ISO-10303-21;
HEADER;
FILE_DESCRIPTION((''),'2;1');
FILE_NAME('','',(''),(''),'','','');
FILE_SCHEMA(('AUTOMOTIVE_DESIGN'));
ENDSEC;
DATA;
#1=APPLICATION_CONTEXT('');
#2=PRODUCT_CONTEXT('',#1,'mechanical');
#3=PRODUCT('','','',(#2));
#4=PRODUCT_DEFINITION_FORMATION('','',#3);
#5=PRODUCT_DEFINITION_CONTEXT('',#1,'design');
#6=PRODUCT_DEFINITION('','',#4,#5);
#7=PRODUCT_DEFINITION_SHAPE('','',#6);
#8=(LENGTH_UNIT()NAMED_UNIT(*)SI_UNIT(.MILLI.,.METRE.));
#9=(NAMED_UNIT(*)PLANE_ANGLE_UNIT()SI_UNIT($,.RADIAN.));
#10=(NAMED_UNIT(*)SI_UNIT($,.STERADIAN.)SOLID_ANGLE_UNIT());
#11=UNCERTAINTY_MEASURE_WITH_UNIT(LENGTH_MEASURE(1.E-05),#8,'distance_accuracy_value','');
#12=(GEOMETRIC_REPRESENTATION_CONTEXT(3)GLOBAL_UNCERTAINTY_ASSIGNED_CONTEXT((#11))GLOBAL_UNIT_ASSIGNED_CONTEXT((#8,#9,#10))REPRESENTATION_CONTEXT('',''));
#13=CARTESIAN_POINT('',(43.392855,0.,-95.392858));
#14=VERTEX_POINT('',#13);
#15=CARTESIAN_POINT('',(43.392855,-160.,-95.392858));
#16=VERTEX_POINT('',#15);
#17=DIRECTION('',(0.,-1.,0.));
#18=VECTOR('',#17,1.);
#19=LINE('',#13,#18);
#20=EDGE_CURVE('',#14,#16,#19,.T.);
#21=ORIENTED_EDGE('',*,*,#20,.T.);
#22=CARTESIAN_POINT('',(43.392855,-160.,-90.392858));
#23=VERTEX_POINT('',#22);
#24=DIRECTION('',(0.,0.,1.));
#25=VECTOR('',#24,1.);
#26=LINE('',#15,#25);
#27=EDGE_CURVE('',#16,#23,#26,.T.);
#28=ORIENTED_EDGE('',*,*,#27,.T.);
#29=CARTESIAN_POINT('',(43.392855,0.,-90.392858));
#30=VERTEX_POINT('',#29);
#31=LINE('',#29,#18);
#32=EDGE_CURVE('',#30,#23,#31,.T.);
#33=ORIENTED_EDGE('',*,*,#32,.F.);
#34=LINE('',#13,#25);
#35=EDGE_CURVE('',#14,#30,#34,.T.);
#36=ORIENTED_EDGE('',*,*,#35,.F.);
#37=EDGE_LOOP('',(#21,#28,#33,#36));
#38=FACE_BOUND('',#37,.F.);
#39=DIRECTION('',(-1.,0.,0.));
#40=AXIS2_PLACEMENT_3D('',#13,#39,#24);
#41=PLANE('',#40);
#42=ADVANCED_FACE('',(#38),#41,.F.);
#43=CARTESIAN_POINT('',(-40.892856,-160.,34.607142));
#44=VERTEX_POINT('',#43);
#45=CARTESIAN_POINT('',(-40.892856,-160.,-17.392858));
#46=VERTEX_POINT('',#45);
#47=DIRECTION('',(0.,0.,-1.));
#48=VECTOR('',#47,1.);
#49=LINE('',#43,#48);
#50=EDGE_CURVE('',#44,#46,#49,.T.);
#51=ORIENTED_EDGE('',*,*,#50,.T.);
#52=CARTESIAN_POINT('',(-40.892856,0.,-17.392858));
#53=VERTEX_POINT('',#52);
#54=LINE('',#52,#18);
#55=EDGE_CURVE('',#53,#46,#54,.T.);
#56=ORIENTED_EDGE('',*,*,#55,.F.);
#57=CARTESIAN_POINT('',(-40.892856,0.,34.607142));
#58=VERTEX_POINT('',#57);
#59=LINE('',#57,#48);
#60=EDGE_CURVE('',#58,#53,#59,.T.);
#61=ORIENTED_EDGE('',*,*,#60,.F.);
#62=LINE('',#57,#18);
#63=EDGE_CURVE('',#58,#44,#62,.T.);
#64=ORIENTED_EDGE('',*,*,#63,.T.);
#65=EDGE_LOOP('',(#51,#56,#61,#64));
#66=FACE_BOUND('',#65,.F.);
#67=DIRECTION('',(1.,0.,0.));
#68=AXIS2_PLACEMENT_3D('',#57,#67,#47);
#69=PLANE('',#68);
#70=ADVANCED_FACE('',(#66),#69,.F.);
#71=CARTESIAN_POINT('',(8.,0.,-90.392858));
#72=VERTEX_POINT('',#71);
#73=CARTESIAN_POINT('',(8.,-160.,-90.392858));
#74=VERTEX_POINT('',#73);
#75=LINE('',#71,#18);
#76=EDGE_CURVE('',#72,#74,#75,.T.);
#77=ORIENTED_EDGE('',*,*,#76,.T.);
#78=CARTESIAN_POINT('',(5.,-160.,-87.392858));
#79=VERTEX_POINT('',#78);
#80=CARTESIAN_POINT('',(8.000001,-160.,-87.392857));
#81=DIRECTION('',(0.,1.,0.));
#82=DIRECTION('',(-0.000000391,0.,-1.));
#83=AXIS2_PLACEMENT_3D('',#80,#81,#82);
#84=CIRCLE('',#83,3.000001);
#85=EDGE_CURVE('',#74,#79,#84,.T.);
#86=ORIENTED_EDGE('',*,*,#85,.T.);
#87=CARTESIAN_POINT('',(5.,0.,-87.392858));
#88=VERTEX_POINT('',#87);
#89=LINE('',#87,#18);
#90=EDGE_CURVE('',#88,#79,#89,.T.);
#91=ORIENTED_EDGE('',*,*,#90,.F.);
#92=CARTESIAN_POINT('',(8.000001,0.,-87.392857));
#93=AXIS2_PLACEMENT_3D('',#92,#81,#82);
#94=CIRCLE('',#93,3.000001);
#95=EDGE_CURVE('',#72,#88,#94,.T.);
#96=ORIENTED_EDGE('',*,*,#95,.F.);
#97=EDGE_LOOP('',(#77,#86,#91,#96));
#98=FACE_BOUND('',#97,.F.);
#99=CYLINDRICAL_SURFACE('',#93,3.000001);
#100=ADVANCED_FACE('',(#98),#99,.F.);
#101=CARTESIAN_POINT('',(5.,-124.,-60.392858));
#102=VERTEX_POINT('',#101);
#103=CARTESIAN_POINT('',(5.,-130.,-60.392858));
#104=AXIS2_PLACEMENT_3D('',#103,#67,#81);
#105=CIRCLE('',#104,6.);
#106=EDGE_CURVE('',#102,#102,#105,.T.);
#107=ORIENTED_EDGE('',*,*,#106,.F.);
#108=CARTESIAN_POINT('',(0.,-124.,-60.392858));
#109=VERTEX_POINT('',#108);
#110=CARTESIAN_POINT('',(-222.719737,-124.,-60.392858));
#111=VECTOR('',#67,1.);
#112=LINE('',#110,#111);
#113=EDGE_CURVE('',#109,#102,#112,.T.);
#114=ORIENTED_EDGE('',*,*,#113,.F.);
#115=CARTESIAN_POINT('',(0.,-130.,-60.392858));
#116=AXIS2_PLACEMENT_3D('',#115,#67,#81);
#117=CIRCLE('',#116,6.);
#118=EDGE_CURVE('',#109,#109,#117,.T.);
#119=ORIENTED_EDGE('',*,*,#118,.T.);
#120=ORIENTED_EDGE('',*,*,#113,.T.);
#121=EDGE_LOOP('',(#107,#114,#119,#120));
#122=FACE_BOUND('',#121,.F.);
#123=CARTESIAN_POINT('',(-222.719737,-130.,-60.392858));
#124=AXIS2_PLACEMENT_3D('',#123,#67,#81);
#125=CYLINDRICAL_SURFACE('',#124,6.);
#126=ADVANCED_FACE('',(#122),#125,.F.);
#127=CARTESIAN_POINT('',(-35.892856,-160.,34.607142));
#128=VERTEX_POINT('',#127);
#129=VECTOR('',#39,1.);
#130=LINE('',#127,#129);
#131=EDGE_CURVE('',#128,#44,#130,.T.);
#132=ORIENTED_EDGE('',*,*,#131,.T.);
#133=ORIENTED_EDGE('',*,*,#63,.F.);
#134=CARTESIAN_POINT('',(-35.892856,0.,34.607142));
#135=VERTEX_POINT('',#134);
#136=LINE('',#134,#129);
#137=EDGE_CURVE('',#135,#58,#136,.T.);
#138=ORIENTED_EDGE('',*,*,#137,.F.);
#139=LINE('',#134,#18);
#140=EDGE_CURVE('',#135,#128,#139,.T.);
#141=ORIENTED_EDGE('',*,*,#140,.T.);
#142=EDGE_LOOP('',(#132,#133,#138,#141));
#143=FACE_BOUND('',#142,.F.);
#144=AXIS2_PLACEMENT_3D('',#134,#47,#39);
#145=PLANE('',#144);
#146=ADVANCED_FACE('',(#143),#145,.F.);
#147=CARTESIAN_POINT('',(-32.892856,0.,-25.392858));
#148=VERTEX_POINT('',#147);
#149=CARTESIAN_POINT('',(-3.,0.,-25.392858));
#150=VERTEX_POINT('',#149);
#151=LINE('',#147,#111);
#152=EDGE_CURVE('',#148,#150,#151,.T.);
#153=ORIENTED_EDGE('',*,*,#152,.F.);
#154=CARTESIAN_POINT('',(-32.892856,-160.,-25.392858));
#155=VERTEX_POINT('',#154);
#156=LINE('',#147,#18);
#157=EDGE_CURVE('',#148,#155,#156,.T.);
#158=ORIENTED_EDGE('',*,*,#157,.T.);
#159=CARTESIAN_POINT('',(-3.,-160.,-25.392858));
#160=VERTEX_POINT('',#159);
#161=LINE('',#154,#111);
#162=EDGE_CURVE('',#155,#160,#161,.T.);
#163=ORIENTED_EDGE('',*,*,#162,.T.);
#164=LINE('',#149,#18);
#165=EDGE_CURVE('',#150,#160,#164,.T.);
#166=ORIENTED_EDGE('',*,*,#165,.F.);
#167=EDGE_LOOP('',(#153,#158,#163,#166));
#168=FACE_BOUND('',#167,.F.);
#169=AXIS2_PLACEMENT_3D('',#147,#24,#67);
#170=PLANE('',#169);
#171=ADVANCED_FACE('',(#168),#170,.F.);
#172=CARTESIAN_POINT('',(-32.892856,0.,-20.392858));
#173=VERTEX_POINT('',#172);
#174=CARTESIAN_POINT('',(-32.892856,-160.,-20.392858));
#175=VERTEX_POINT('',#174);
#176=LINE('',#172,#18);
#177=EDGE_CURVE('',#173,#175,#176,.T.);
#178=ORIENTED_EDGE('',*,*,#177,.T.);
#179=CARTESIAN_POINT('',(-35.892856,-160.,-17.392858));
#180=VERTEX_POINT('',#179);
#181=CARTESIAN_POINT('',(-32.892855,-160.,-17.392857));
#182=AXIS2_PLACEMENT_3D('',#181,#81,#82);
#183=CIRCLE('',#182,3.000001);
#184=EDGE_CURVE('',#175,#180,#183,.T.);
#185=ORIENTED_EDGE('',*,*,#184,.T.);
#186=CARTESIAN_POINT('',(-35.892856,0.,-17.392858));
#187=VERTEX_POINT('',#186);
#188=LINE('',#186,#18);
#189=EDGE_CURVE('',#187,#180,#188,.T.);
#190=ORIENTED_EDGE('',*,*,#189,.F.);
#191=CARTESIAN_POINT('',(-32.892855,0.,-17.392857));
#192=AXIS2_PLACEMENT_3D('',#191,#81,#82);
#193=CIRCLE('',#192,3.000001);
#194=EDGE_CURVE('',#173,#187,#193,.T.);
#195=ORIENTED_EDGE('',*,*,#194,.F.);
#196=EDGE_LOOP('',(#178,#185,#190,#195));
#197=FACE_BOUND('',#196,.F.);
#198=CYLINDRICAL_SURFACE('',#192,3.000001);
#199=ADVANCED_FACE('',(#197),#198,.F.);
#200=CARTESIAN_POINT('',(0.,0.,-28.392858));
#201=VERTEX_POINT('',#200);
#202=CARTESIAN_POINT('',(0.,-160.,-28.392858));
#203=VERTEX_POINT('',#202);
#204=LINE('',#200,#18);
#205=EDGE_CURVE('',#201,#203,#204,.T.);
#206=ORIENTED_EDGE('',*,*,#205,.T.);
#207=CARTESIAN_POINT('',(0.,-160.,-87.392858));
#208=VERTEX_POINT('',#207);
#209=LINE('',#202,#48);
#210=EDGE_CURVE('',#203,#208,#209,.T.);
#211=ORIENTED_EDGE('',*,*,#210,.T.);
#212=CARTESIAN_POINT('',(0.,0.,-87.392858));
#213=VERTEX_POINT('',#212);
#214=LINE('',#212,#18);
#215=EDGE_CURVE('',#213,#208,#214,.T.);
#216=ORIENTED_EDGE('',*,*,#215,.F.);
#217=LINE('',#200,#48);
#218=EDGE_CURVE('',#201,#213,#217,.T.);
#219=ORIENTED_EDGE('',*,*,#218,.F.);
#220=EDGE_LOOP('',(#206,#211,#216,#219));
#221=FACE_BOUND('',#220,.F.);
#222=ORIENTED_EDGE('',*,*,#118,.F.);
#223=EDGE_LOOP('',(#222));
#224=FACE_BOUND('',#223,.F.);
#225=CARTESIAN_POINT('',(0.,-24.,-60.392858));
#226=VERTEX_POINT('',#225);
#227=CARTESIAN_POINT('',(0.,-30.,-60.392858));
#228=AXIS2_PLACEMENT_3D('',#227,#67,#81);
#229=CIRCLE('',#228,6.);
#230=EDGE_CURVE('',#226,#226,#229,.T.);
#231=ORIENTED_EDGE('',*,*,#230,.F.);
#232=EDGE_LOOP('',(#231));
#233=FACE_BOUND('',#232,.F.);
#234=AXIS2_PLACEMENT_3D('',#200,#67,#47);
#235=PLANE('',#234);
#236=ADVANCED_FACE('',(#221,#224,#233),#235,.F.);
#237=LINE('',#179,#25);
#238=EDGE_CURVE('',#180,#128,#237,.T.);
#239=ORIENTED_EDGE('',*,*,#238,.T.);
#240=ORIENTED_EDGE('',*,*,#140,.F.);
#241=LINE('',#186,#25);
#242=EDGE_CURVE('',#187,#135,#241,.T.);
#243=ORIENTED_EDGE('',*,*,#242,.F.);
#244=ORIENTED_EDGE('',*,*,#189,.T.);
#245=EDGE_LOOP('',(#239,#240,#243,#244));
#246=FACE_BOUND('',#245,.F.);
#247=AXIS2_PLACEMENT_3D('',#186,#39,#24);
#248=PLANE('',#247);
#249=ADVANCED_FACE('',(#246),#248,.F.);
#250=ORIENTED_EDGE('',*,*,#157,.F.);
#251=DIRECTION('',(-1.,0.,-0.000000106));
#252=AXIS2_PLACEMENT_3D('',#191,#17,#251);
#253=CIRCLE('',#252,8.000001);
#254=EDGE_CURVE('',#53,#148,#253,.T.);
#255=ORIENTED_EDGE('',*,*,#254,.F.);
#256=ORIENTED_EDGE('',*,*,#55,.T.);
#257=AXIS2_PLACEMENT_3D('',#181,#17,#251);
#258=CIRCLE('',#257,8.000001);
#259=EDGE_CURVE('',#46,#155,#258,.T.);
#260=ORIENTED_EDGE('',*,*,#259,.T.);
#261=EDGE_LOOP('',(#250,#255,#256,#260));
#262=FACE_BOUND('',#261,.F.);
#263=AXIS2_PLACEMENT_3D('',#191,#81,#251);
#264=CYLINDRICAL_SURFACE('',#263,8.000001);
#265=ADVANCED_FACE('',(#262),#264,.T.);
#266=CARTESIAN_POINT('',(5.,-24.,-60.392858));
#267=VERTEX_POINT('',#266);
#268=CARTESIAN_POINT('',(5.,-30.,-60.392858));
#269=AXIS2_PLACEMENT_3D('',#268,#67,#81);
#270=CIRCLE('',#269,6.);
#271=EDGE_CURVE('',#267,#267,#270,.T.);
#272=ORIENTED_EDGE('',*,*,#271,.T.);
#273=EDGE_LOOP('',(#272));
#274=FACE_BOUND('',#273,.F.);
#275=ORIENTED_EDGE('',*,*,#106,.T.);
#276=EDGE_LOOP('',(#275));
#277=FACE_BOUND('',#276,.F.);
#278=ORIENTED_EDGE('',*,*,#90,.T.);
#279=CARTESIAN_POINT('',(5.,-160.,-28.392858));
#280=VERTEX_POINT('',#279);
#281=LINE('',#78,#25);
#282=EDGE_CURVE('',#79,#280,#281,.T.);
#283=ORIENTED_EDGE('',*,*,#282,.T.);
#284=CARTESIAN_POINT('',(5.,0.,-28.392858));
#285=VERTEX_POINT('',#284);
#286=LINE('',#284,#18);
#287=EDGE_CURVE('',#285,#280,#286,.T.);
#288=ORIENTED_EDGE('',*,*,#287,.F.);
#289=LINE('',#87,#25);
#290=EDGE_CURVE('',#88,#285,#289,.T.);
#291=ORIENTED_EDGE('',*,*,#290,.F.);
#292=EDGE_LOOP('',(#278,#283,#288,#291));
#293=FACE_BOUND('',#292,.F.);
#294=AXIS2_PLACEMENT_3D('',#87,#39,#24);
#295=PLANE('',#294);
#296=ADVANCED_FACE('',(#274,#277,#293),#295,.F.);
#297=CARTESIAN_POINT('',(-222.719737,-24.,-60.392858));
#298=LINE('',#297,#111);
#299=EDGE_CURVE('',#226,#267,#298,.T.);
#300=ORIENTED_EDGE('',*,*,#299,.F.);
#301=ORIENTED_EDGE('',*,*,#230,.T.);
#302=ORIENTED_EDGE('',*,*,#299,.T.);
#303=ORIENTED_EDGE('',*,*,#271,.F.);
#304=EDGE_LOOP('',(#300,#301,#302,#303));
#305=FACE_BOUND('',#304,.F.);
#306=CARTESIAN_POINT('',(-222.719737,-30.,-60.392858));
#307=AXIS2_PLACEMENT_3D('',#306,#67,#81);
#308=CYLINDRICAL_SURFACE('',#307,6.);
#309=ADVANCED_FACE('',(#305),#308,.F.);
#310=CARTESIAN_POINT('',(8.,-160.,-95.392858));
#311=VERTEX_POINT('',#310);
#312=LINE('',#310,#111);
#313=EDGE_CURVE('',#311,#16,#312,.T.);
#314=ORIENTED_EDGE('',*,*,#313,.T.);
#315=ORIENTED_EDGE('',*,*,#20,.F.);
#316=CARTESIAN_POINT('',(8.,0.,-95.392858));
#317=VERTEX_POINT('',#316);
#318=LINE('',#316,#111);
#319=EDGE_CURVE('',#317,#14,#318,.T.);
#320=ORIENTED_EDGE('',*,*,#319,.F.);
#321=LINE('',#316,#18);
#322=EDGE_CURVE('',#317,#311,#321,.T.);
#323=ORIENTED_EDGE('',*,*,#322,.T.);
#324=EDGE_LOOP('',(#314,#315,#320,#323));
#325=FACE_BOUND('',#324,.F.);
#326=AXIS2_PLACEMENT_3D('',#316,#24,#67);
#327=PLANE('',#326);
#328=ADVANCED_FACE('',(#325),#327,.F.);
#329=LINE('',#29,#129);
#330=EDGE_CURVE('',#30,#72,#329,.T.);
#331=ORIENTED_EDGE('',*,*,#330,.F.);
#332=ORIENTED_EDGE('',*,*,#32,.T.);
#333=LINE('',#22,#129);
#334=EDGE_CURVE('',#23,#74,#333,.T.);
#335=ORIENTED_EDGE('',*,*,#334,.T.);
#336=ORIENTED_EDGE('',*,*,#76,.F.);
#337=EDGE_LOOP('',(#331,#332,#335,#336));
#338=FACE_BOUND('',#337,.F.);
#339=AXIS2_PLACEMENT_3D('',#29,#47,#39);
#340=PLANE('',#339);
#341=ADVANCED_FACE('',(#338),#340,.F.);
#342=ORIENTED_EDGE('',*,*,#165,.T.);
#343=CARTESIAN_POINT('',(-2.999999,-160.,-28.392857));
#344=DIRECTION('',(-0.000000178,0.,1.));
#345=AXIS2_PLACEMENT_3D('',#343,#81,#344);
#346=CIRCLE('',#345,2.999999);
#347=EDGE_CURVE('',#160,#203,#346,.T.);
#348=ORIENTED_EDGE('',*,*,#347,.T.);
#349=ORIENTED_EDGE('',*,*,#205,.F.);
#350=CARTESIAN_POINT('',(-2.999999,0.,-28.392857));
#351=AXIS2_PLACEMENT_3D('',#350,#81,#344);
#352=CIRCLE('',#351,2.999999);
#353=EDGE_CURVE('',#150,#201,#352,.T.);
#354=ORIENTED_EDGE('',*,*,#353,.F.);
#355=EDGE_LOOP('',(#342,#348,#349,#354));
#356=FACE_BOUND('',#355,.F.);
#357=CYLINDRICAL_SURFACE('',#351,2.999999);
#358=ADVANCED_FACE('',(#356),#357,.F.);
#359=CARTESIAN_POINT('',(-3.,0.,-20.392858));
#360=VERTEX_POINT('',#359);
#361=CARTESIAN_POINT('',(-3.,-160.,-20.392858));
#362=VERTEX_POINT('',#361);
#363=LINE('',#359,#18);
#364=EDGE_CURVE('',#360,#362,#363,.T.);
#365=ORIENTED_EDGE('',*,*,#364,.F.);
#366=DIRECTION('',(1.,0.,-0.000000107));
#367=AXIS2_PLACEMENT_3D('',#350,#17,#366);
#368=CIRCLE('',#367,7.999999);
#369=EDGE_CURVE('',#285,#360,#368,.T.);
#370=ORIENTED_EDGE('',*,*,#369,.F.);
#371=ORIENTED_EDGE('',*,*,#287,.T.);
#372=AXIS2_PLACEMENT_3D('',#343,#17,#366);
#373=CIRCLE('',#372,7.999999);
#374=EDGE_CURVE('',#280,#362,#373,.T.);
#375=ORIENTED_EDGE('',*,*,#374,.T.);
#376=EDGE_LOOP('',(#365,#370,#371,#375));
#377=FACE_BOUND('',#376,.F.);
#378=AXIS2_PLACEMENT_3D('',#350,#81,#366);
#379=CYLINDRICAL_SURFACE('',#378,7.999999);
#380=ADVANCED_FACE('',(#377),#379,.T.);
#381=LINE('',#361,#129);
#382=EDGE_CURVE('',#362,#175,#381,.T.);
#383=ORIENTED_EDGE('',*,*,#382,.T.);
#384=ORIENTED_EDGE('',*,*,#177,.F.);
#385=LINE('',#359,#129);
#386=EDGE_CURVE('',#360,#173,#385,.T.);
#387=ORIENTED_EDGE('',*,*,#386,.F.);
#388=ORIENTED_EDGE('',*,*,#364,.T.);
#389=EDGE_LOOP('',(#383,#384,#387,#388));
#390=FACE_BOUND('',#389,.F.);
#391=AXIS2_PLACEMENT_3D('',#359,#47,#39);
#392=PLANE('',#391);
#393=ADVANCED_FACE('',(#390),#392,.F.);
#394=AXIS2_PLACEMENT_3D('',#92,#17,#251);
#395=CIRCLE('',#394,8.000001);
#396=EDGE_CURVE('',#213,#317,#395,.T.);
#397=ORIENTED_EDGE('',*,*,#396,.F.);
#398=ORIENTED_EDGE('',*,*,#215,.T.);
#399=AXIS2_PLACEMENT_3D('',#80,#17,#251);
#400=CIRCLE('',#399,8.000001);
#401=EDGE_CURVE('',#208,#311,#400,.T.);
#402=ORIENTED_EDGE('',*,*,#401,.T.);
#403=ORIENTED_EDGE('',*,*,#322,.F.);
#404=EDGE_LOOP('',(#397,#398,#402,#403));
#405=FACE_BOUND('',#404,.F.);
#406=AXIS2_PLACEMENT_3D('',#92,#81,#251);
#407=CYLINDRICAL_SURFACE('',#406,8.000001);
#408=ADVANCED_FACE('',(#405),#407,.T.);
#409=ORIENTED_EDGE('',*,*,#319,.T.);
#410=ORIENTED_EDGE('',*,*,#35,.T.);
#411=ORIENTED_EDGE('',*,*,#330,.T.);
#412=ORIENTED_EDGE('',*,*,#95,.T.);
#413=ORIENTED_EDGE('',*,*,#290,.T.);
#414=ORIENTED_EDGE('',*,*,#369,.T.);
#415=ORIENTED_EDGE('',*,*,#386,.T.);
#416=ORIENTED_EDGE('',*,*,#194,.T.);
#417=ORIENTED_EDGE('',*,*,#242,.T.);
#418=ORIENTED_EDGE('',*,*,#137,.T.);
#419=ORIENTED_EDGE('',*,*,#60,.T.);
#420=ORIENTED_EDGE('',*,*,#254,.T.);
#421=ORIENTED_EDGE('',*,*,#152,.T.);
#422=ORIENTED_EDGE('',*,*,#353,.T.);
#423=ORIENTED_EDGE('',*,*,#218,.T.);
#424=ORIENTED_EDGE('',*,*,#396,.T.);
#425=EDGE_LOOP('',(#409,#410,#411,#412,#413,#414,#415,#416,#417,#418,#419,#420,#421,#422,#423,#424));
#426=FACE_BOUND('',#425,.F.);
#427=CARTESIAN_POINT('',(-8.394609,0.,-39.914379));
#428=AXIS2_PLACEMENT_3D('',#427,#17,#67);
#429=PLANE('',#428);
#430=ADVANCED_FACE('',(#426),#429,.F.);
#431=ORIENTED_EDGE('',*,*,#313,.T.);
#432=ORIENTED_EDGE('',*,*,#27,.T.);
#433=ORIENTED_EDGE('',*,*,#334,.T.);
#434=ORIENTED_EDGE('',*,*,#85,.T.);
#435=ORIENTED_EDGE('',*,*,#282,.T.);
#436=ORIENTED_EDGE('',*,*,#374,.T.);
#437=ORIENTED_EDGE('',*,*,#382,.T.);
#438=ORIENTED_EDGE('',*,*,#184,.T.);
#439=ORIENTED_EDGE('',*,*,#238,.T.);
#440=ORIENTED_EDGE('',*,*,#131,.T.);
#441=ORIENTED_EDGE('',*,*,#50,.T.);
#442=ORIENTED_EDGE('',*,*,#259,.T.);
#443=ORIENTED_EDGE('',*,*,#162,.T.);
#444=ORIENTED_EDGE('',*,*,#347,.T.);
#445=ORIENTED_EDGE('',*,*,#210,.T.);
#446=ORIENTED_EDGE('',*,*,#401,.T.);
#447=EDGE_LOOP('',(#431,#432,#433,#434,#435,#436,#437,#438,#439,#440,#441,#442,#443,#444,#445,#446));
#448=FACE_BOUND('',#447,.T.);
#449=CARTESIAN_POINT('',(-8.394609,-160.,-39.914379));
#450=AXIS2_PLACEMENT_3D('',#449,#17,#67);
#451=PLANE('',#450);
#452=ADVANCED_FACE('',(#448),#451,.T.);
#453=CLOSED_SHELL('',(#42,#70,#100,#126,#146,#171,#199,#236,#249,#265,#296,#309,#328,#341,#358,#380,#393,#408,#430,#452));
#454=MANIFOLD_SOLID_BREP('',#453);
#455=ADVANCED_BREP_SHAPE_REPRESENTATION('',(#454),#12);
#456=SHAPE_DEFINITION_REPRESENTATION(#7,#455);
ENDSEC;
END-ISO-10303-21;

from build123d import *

# Parameters (mm, degrees)
F1_DEPTH = 160
F3_D     = 12


with BuildPart() as f1:
    # F0 (on Front) → F1 (new body)
    with BuildSketch(Plane.XZ):
        with BuildLine():
            Line((-35.892856, 34.607142), (-40.892856, 34.607142))
            Line((-40.892856, 34.607142), (-40.892856, -17.392858))
            ThreePointArc((-40.892856, -17.392858), (-38.54971, -23.049712), (-32.892856, -25.392858))
            Line((-32.892856, -25.392858), (-3, -25.392858))
            ThreePointArc((-3, -25.392858), (-0.87868, -26.271537), (0, -28.392858))
            Line((0, -28.392858), (0, -87.392858))
            ThreePointArc((0, -87.392858), (2.343146, -93.049712), (8, -95.392858))
            Line((8, -95.392858), (43.392855, -95.392858))
            Line((43.392855, -95.392858), (43.392855, -90.392858))
            Line((43.392855, -90.392858), (8, -90.392858))
            ThreePointArc((8, -90.392858), (5.87868, -89.514178), (5, -87.392858))
            Line((5, -87.392858), (5, -28.392858))
            ThreePointArc((5, -28.392858), (2.656854, -22.736003), (-3, -20.392858))
            Line((-3, -20.392858), (-32.892856, -20.392858))
            ThreePointArc((-32.892856, -20.392858), (-35.014176, -19.514178), (-35.892856, -17.392858))
            Line((-35.892856, -17.392858), (-35.892856, 34.607142))
        make_face()
    extrude(amount=F1_DEPTH)

    # F3 (through all)
    with Locations(Plane(origin=(0, 0, 0), x_dir=(0, -1, 0), z_dir=(-1, 0, 0))):
        with Locations((30, -60.392858), (130, -60.392858)):
            Hole(F3_D / 2)


solid = f1.part
